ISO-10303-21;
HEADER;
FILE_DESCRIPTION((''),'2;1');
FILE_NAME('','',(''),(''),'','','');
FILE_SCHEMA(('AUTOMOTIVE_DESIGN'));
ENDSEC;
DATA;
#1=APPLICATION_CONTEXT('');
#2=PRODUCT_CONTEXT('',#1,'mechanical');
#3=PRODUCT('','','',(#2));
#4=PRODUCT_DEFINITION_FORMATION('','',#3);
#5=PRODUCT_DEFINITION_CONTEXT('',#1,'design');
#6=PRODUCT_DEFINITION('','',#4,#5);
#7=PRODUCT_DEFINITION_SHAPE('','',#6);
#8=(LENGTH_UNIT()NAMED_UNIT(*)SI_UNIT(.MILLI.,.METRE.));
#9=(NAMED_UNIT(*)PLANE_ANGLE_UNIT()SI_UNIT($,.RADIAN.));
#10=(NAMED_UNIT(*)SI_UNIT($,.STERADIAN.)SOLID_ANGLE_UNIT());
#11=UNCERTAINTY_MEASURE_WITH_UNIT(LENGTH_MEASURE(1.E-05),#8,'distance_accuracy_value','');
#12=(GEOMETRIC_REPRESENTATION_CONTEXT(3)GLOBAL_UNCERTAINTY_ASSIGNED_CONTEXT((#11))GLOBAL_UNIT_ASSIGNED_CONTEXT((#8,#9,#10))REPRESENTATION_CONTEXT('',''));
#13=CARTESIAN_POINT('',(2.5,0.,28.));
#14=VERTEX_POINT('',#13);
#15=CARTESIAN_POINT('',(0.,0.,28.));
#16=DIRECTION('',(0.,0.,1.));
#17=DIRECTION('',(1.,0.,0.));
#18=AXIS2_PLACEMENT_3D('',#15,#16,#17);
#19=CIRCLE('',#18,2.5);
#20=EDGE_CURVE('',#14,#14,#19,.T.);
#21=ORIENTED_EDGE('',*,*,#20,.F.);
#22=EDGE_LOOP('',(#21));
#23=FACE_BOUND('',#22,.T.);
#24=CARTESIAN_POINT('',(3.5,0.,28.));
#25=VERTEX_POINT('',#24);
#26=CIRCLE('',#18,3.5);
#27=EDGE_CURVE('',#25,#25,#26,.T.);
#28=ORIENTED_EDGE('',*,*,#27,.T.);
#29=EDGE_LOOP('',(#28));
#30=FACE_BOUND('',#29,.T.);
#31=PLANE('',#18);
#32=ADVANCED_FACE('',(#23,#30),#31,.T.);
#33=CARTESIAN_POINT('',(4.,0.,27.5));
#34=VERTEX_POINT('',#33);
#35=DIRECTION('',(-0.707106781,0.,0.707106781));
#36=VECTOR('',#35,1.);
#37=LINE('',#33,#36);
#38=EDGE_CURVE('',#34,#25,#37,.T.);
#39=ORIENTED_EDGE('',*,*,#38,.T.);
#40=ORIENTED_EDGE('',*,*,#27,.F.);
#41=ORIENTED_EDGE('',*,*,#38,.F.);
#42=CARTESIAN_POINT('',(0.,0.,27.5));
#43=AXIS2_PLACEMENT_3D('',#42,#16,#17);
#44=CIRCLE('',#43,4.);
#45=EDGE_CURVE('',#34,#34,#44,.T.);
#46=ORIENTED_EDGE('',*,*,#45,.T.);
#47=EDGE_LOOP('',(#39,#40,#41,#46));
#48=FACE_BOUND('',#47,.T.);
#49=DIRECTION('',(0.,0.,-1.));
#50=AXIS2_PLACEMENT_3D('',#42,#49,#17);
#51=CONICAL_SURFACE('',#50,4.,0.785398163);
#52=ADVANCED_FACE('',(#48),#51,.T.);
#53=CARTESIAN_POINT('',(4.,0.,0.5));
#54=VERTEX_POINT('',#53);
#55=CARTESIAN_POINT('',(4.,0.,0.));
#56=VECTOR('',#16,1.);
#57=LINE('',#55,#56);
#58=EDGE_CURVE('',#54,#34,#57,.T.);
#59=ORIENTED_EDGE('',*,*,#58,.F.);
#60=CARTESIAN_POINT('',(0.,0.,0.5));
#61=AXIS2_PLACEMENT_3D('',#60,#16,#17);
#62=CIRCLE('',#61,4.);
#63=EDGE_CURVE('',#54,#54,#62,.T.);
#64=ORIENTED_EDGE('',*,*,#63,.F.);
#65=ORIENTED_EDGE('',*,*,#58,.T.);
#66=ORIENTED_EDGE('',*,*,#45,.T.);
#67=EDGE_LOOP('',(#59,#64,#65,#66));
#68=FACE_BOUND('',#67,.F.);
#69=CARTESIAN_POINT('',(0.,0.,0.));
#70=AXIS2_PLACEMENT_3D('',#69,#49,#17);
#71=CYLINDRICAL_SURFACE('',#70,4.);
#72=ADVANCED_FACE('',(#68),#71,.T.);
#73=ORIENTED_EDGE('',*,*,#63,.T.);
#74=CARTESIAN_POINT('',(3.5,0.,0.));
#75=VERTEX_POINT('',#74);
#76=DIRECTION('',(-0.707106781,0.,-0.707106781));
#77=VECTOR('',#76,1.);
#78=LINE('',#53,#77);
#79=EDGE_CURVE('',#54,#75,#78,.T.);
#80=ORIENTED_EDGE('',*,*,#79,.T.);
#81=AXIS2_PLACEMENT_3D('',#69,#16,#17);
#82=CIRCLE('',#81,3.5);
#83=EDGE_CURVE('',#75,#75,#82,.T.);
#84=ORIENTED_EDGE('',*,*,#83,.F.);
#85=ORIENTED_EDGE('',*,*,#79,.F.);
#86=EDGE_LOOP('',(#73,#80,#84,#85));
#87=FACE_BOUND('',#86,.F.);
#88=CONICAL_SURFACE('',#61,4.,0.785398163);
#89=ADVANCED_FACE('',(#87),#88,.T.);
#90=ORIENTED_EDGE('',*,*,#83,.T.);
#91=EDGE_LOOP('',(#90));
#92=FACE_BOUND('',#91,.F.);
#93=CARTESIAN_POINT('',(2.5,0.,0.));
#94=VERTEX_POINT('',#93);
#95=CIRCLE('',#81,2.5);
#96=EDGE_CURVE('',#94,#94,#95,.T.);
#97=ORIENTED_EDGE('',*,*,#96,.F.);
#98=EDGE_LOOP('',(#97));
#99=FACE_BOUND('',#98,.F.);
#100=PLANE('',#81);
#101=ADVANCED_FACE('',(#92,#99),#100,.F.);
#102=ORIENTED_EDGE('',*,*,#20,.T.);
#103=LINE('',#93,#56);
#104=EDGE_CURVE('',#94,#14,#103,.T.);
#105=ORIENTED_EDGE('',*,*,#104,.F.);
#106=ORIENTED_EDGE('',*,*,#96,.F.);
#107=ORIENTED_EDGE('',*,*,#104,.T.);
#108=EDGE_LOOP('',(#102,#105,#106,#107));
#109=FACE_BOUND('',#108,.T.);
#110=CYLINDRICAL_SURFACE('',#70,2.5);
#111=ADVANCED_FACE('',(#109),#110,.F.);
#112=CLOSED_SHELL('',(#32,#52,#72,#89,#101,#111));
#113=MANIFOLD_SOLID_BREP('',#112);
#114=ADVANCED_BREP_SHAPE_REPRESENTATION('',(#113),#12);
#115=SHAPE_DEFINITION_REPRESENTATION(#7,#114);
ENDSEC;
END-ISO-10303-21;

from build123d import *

# Parameters (mm, degrees)
SKETCH_R     = 4
SKETCH_R_2   = 2.5
PAD_DEPTH    = 28
CHAMFER_SIZE = 0.5


with BuildPart() as part:
    # Sketch → Pad (new body)
    with BuildSketch(Plane.XY):
        Circle(SKETCH_R)
        Circle(SKETCH_R_2, mode=Mode.SUBTRACT)
    extrude(amount=PAD_DEPTH)

    # Chamfer
    chamfer_edges = [part.edges().sort_by_distance(p)[0] for p in [
        (-4, 0, 28),
        (-4, 0, 0),
    ]]
    chamfer(chamfer_edges, length=CHAMFER_SIZE)


solid = part.part
